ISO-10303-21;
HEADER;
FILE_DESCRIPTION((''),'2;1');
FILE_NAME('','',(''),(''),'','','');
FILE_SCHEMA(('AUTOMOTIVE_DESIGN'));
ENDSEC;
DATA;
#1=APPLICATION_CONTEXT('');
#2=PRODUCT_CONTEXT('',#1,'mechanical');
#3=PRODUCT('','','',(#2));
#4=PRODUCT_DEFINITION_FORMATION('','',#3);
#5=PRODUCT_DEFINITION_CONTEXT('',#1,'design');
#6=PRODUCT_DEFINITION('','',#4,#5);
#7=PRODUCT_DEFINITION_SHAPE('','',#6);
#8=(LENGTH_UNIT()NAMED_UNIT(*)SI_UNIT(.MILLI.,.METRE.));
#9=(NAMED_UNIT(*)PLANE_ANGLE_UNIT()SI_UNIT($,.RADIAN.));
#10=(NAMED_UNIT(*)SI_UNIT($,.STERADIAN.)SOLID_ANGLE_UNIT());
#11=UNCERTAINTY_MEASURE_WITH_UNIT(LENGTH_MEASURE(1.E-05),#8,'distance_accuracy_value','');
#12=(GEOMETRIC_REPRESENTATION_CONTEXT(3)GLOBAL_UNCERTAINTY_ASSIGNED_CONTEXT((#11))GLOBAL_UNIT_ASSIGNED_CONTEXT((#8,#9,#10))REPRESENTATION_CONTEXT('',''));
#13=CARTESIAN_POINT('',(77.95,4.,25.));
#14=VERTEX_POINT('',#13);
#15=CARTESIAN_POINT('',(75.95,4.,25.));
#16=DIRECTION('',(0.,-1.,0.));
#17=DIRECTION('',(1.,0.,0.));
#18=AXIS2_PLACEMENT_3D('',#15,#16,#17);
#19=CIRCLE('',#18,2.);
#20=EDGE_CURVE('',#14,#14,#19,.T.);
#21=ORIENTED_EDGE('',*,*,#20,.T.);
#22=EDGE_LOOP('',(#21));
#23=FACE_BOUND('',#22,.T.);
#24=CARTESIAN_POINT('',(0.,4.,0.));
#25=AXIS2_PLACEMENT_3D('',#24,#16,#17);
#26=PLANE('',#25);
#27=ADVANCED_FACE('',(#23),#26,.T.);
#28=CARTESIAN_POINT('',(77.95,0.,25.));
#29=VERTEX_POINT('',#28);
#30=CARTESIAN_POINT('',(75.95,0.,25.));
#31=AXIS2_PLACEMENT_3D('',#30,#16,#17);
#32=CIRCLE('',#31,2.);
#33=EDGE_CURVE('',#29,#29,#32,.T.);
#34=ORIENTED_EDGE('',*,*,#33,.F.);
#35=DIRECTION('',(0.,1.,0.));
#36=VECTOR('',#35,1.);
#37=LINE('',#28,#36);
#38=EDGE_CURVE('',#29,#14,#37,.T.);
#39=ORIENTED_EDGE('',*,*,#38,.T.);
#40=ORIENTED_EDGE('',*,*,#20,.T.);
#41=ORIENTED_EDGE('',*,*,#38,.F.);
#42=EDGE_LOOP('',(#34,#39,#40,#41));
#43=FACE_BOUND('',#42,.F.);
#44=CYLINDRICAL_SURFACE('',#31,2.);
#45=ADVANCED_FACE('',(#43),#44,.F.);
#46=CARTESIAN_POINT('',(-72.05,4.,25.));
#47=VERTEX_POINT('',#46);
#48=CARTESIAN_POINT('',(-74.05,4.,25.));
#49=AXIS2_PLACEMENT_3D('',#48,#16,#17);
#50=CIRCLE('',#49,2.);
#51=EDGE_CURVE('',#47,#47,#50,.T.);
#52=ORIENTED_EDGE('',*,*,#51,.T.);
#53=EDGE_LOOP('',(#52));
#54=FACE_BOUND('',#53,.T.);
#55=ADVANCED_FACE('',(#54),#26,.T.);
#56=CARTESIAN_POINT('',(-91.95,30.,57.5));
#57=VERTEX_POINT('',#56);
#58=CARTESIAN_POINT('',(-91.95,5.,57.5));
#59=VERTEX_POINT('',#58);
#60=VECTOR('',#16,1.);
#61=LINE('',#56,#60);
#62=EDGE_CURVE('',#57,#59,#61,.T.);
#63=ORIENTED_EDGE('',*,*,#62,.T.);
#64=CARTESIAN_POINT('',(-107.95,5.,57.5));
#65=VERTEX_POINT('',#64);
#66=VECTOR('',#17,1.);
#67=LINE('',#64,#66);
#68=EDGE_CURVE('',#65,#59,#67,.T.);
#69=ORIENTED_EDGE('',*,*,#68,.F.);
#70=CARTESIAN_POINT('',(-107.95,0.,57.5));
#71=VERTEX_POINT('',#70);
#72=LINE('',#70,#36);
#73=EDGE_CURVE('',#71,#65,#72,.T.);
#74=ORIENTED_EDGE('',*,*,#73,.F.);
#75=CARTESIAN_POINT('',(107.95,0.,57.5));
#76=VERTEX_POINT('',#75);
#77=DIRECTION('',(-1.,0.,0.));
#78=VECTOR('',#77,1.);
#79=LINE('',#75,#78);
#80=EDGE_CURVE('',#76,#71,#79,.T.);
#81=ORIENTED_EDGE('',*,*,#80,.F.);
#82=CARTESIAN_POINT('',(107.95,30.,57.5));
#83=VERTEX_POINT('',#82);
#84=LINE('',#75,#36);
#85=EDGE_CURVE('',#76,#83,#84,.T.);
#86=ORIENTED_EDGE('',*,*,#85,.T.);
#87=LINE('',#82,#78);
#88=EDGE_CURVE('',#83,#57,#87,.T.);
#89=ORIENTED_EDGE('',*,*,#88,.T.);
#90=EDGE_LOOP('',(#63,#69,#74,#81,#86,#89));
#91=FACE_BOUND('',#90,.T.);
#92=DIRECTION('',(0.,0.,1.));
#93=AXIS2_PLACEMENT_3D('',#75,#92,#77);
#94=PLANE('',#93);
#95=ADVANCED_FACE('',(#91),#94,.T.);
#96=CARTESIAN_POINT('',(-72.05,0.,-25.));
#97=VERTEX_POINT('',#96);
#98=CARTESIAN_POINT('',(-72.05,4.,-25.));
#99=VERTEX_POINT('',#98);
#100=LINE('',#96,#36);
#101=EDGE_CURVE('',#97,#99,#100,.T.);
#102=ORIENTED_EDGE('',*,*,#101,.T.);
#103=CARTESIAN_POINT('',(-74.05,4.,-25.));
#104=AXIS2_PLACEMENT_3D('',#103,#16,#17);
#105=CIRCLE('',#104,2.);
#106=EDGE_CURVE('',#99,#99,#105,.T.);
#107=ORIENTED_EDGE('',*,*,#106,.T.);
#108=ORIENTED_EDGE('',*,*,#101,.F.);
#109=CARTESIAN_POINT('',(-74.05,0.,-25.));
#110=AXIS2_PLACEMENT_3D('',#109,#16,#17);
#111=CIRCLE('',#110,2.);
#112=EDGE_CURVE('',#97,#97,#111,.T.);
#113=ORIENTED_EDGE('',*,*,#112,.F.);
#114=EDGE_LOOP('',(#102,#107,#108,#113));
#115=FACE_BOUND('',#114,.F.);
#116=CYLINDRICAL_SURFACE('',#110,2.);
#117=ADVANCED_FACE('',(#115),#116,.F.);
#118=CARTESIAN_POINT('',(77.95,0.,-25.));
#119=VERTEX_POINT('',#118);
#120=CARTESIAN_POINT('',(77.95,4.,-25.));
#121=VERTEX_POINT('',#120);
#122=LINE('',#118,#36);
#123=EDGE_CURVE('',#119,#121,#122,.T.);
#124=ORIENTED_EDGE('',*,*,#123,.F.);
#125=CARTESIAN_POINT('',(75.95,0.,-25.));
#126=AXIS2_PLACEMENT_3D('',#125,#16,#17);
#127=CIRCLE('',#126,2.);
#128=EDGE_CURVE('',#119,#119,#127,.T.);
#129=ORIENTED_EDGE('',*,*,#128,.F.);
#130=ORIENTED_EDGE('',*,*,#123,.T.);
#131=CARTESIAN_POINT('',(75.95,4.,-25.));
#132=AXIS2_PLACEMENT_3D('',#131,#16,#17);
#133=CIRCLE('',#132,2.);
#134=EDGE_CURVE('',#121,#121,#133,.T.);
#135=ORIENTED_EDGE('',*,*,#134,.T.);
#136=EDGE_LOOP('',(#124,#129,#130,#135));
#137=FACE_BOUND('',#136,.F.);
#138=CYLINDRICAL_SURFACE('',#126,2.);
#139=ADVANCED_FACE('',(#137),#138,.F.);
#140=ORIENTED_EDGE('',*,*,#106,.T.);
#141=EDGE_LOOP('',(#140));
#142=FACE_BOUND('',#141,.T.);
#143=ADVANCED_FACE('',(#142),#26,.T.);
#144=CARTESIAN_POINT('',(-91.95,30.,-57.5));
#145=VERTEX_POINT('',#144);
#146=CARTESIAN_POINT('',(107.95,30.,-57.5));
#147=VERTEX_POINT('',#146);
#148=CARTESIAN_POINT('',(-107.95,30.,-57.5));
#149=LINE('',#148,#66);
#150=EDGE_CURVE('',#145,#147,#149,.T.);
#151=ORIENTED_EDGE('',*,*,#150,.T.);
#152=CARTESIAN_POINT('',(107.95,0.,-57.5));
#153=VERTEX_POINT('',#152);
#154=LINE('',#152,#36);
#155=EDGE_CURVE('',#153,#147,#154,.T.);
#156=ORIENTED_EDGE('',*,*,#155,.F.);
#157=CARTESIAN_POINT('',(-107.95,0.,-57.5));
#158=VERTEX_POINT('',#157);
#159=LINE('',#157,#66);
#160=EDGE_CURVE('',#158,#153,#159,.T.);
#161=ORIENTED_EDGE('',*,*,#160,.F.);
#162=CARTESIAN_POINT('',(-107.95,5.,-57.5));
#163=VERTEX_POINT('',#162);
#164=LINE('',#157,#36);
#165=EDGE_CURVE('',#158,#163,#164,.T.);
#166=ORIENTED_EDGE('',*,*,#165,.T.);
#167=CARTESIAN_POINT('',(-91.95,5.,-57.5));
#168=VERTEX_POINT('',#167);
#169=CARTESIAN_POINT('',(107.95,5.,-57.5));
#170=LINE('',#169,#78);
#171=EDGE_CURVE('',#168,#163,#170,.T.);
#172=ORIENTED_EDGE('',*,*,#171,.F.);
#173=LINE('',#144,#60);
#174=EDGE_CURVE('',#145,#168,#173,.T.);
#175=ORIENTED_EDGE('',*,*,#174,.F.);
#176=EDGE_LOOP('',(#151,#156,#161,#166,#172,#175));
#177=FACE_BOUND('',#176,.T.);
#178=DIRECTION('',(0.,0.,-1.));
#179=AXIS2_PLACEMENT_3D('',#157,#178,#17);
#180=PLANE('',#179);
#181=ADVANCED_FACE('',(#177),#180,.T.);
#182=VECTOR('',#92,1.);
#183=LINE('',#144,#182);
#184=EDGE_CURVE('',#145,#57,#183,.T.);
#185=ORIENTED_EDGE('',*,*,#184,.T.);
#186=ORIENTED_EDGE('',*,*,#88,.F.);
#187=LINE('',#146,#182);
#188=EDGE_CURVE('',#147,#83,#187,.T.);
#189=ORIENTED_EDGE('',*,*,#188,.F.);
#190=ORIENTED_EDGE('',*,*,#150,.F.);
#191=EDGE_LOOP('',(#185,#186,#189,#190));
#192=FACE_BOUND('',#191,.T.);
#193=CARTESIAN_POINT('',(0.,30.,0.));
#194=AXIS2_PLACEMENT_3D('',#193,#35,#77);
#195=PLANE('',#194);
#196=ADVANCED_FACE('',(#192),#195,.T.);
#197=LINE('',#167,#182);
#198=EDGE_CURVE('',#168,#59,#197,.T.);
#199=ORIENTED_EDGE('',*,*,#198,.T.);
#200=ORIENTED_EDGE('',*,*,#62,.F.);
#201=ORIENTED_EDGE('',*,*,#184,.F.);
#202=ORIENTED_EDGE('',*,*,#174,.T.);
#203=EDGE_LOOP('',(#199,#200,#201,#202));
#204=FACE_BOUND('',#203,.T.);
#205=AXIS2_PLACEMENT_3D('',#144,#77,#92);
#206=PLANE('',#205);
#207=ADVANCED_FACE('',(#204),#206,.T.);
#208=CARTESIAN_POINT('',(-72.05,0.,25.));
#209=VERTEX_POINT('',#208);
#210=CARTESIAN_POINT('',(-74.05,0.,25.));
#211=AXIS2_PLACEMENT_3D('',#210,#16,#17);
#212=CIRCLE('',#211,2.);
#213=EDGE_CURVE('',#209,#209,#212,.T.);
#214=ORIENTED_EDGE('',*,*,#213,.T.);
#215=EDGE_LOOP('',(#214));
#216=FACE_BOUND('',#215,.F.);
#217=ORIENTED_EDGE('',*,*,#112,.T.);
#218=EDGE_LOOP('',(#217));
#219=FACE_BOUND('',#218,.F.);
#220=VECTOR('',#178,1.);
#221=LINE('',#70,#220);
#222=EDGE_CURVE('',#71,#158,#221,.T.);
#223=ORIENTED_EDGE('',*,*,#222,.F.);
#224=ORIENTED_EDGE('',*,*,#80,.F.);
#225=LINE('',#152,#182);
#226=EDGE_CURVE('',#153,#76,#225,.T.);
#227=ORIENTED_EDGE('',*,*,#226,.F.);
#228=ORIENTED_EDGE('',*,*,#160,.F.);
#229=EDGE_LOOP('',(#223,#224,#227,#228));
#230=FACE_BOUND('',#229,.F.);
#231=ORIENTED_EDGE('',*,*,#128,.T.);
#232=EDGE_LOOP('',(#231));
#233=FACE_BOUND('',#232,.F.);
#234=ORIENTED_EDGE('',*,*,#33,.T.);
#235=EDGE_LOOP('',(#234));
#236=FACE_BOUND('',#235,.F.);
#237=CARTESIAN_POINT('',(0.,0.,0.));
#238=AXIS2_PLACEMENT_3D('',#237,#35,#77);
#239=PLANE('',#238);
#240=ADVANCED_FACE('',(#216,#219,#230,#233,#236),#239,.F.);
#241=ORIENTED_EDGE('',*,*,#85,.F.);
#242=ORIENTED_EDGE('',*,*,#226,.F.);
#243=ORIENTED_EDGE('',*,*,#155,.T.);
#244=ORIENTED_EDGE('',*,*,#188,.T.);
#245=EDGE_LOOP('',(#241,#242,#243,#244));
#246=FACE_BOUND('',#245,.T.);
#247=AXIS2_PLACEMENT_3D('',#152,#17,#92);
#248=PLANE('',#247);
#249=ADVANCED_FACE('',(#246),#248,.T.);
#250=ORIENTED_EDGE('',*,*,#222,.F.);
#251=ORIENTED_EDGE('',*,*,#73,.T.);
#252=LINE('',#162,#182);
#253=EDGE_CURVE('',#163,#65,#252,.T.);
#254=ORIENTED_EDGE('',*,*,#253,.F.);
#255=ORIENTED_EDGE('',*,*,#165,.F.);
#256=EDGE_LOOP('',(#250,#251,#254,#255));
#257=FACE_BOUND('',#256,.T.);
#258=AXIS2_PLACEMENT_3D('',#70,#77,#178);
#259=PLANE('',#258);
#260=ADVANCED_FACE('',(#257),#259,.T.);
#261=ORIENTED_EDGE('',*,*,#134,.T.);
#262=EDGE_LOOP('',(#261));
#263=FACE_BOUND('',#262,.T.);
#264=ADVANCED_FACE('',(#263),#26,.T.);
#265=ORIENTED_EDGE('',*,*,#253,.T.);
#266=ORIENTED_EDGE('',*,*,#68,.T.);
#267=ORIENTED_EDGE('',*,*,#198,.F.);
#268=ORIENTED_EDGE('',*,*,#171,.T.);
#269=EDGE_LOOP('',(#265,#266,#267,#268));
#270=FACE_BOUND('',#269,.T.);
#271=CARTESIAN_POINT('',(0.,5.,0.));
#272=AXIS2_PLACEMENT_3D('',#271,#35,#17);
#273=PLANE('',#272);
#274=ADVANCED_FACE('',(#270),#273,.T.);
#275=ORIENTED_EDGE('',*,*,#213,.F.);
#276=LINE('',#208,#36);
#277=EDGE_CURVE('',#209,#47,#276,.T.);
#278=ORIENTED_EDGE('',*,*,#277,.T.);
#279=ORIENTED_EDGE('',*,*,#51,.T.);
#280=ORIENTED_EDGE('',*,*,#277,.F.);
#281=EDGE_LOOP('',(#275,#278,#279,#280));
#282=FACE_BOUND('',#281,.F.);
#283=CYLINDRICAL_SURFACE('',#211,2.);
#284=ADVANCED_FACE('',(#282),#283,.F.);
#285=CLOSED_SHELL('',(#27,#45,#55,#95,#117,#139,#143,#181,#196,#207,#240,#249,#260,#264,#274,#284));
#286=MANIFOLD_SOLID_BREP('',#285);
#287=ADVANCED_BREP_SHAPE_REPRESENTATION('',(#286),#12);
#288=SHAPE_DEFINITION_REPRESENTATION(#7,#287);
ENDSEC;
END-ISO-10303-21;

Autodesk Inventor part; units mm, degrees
ref_plane "YZ Plane" through (0, 0, 0) normal (1, 0, 0) x (0, 1, 0)
ref_plane "XZ Plane" through (0, 0, 0) normal (0, 1, 0) x (-1, 0, 0)
ref_plane "XY Plane" through (0, 0, 0) normal (0, 0, 1) x (1, 0, 0)
sketch "Sketch1" plane through (0, 0, 0) normal (0, 1, 0) x (-1, 0, 0)
  line L0 (-107.95, 57.5) -> (107.95, 57.5)
  line L1 (107.95, 57.5) -> (107.95, -57.5)
  line L2 (107.95, -57.5) -> (-107.95, -57.5)
  line L3 (-107.95, -57.5) -> (-107.95, 57.5)
  line L4 (-107.95, 57.5) -> (107.95, -57.5) construction
  line L5 (107.95, 57.5) -> (-107.95, -57.5) construction
  point P0 (0, 0)
  dimension "d0" = 215.9
  dimension "d1" = 115
extrude "Extrusion1" add sketch "Sketch1" along normal blind 30
sketch "Sketch2" plane through (0, 30, 0) normal (0, 1, 0) x (1, 0, 0)
  line L0 (107.95, 57.5) -> (-107.95, 57.5) projected
  line L1 (-107.95, 57.5) -> (-107.95, -57.5) projected
  line L2 (-107.95, -57.5) -> (107.95, -57.5) projected
  line L3 (107.95, -57.5) -> (107.95, 57.5) projected
  line L4 (-91.95, 57.5) -> (-91.95, -57.5)
  point P0 (0, 0)
  dimension "d4" = 16
extrude "Extrusion2" cut sketch "Sketch2" against normal blind 25 contours L4 L2 L1 L0
sketch "Sketch3" plane through (0, 0, 0) normal (0, -1, 0) x (1, 0, 0)
  line L0 (-74.05, 25) -> (75.95, 25) construction
  line L1 (75.95, 25) -> (75.95, -25) construction
  line L2 (107.95, 57.5) -> (107.95, -57.5) construction
  line L3 (0, 0) -> (75.95, 0) construction
  circle A0 centre (-74.05, 25) radius 2
  circle A1 centre (75.95, 25) radius 2
  circle A2 centre (75.95, -25) radius 2
  line L4 (-74.05, 25) -> (-74.05, -25) construction
  circle A3 centre (-74.05, -25) radius 2
  line L5 (107.95, -57.5) -> (-107.95, -57.5) construction
  line L6 (107.95, 57.5) -> (107.95, -57.5) projected
  line L7 (-107.95, 57.5) -> (107.95, 57.5) construction
  line L8 (-107.95, -57.5) -> (-107.95, 57.5) construction
  dimension "d7" = 150
  dimension "d8" = 50
  dimension "d9" = 32
  dimension "d10" = 4
extrude "Extrusion3" cut sketch "Sketch3" against normal blind 4
properties part number "Stepper Power Supply"
